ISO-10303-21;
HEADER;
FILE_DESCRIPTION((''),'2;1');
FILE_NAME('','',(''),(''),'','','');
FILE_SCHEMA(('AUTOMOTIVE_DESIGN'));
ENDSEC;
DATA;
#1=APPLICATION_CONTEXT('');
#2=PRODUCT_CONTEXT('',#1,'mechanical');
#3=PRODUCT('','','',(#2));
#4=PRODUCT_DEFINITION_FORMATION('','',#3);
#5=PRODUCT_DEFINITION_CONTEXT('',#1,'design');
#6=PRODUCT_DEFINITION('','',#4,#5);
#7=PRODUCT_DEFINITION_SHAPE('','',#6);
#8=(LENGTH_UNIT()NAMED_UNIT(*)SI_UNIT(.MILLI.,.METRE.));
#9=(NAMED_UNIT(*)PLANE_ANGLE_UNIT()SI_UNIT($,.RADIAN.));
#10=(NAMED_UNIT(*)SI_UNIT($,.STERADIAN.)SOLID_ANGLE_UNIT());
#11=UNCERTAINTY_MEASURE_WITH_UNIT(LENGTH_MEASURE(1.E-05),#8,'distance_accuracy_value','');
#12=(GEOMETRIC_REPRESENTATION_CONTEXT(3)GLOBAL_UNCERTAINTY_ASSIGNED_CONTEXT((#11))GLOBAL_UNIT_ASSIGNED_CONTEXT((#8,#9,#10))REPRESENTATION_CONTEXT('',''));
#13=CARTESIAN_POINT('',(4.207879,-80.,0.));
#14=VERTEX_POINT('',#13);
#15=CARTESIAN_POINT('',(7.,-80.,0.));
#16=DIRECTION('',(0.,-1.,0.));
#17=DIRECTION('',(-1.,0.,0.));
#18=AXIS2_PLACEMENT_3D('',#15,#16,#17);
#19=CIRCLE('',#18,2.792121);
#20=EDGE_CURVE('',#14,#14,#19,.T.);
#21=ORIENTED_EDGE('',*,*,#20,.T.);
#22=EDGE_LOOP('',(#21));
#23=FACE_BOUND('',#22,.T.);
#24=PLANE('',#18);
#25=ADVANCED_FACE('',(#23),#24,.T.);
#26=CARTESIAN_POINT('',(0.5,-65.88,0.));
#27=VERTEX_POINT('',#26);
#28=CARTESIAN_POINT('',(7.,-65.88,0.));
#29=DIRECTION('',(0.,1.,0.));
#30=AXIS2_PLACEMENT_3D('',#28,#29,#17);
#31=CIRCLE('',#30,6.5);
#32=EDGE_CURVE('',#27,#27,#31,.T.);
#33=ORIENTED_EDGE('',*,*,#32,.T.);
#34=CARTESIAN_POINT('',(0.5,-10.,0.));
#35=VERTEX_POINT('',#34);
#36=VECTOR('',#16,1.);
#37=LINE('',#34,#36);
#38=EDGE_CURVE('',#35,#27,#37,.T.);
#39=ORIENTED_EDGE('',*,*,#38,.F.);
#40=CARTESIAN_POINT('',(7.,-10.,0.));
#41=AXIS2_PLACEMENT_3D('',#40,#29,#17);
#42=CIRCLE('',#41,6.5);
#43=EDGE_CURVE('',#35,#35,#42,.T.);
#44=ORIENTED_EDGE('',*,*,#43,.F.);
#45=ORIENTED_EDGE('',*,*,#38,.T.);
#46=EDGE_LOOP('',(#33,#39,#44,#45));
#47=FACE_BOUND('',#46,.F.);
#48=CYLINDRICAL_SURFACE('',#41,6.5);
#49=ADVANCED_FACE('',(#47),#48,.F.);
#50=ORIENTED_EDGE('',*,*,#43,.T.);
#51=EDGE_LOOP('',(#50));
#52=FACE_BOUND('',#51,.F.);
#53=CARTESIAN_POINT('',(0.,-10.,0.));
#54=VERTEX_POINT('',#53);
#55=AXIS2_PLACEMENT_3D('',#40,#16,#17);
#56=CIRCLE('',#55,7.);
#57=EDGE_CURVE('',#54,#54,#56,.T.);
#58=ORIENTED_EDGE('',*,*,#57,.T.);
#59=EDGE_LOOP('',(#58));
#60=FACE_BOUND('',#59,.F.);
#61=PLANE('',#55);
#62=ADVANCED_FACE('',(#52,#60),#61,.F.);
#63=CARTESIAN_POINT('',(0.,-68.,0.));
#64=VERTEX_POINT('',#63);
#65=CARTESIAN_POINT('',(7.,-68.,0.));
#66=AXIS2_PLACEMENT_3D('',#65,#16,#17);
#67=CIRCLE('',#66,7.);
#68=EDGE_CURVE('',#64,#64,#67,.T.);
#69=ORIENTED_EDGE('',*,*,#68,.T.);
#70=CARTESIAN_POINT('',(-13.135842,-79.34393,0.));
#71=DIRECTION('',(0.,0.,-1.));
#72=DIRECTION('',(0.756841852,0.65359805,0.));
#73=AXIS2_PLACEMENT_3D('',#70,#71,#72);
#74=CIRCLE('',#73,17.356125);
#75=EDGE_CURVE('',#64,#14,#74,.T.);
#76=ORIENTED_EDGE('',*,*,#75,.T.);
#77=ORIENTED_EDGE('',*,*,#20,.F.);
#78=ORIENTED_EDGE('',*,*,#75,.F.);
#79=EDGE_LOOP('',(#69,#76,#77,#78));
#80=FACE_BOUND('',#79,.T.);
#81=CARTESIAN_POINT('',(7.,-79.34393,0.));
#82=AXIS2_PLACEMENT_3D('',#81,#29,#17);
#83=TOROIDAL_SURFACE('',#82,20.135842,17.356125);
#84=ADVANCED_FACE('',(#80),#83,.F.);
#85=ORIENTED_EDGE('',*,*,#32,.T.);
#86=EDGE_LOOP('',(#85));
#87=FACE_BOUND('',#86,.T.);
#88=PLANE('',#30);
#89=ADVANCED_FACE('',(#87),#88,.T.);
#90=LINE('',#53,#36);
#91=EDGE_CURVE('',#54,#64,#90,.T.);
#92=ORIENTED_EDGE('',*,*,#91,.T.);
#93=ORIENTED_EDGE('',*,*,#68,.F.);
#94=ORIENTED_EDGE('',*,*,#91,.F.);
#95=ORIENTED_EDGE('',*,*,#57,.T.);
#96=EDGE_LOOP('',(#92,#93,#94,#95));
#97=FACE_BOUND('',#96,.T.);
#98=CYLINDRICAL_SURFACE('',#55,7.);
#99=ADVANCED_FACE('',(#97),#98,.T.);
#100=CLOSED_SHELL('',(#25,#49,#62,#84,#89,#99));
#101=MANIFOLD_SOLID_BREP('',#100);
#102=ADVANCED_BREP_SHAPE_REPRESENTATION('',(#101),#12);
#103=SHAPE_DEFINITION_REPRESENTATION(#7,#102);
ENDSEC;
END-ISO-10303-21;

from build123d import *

# Parameters (mm, degrees)
F0_W     = 7
F0_H     = 24
F2_R     = 6.5
F3_DEPTH = 55.88


with BuildPart() as f1:
    # F0 (on Top) → F1 (revolve)
    with BuildSketch(Plane.XY):
        with Locations((3.5, -22)):
            Rectangle(F0_W, F0_H)
        with BuildLine():
            Line((7, -34), (0, -34))
            Line((0, -34), (0, -68))
            ThreePointArc((0, -68), (3.242526, -73.600747), (4.207879, -80))
            Line((4.207879, -80), (7, -80))
            Line((7, -80), (7, -34))
        make_face()
    revolve(axis=Axis((7, -22, 0), (0, -1, 0)))

    # F2 (on face) → F3 (cut)
    with BuildSketch(Plane(origin=(0, -10, 0), x_dir=(-1, 0, 0), z_dir=(0, 1, 0))):
        with Locations((-7, 0)):
            Circle(F2_R)
    extrude(amount=-F3_DEPTH, mode=Mode.SUBTRACT)


solid = f1.part
